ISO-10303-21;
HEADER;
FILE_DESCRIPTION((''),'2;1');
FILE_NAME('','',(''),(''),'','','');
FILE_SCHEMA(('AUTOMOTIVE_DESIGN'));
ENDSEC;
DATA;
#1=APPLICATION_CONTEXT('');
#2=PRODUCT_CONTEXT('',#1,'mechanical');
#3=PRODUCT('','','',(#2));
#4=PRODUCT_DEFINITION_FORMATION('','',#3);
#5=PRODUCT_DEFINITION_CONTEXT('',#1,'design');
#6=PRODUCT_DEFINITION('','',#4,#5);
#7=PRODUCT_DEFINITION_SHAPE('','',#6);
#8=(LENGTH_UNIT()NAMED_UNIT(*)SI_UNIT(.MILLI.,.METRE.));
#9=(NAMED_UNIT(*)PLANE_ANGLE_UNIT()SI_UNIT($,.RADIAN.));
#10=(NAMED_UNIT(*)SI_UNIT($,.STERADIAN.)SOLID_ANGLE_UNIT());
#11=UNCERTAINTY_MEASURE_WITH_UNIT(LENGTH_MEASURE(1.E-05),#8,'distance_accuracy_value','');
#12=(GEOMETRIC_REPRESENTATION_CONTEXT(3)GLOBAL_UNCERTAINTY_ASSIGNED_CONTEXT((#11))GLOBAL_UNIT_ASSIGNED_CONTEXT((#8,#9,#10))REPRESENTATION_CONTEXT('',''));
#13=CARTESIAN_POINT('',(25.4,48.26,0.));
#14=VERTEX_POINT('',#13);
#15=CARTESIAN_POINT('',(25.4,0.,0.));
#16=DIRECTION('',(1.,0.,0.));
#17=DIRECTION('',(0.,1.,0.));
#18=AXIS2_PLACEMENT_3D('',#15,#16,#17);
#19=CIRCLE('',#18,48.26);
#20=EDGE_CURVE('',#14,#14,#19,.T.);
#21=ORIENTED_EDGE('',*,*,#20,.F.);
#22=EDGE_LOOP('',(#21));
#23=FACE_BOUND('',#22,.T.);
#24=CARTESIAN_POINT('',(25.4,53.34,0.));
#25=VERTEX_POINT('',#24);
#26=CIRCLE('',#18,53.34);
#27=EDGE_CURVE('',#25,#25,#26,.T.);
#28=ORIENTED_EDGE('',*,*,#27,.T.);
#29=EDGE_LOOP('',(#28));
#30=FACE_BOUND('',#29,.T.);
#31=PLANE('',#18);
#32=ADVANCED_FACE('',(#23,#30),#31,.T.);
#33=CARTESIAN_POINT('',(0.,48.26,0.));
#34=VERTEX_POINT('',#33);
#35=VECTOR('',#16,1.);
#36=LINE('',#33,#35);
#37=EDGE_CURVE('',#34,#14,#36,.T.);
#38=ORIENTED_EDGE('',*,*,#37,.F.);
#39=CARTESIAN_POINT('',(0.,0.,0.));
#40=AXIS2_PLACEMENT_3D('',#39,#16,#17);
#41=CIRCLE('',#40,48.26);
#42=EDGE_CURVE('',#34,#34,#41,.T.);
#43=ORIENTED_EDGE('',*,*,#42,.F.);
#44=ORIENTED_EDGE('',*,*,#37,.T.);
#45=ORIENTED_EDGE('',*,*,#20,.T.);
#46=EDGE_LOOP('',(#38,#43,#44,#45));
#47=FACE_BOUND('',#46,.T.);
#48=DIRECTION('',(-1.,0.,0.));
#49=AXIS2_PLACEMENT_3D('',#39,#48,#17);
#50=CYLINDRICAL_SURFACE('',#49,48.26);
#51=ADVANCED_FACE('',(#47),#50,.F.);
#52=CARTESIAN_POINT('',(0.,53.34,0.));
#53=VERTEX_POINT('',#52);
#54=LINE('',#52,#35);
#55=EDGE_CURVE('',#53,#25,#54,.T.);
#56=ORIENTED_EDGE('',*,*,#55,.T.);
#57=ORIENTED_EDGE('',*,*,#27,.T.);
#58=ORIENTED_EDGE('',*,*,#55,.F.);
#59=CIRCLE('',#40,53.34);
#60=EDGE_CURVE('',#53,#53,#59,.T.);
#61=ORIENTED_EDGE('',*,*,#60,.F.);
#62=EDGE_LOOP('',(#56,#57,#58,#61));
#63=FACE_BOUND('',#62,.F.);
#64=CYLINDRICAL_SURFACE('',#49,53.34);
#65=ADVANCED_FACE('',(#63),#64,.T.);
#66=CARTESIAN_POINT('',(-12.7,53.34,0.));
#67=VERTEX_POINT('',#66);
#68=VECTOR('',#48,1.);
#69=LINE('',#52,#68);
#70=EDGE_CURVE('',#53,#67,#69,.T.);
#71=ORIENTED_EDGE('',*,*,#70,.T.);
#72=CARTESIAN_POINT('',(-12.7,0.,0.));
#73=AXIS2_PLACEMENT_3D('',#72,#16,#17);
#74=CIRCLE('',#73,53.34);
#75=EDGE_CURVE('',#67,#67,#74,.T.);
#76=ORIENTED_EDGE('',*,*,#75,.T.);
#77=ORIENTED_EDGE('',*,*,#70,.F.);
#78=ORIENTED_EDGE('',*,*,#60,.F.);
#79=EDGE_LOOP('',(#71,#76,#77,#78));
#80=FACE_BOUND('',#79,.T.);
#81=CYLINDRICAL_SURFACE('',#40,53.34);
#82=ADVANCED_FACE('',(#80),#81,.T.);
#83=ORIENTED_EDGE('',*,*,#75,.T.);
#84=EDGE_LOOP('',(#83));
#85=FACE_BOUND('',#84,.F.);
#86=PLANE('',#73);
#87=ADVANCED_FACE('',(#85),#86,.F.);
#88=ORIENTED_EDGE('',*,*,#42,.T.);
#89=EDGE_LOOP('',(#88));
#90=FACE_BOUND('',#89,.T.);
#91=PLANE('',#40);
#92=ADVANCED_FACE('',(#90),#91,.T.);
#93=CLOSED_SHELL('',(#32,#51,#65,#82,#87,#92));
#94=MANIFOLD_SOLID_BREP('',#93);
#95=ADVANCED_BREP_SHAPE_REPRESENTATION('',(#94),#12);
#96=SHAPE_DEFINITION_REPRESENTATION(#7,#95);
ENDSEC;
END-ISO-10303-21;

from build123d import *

# Parameters (mm, degrees)
F0_R     = 53.34
F0_R_2   = 48.26
F1_DEPTH = 12.7
F2_DEPTH = 25.4


with BuildPart() as f1:
    # F0 (on Right) → F1 (new body)
    with BuildSketch(Plane.YZ):
        Circle(F0_R)
        Circle(F0_R_2, mode=Mode.SUBTRACT)
        Circle(F0_R_2)
    extrude(amount=-F1_DEPTH)

    # F0 (on Right) → F2 (join)
    with BuildSketch(Plane.YZ):
        Circle(F0_R)
        Circle(F0_R_2, mode=Mode.SUBTRACT)
    extrude(amount=F2_DEPTH)


solid = f1.part
